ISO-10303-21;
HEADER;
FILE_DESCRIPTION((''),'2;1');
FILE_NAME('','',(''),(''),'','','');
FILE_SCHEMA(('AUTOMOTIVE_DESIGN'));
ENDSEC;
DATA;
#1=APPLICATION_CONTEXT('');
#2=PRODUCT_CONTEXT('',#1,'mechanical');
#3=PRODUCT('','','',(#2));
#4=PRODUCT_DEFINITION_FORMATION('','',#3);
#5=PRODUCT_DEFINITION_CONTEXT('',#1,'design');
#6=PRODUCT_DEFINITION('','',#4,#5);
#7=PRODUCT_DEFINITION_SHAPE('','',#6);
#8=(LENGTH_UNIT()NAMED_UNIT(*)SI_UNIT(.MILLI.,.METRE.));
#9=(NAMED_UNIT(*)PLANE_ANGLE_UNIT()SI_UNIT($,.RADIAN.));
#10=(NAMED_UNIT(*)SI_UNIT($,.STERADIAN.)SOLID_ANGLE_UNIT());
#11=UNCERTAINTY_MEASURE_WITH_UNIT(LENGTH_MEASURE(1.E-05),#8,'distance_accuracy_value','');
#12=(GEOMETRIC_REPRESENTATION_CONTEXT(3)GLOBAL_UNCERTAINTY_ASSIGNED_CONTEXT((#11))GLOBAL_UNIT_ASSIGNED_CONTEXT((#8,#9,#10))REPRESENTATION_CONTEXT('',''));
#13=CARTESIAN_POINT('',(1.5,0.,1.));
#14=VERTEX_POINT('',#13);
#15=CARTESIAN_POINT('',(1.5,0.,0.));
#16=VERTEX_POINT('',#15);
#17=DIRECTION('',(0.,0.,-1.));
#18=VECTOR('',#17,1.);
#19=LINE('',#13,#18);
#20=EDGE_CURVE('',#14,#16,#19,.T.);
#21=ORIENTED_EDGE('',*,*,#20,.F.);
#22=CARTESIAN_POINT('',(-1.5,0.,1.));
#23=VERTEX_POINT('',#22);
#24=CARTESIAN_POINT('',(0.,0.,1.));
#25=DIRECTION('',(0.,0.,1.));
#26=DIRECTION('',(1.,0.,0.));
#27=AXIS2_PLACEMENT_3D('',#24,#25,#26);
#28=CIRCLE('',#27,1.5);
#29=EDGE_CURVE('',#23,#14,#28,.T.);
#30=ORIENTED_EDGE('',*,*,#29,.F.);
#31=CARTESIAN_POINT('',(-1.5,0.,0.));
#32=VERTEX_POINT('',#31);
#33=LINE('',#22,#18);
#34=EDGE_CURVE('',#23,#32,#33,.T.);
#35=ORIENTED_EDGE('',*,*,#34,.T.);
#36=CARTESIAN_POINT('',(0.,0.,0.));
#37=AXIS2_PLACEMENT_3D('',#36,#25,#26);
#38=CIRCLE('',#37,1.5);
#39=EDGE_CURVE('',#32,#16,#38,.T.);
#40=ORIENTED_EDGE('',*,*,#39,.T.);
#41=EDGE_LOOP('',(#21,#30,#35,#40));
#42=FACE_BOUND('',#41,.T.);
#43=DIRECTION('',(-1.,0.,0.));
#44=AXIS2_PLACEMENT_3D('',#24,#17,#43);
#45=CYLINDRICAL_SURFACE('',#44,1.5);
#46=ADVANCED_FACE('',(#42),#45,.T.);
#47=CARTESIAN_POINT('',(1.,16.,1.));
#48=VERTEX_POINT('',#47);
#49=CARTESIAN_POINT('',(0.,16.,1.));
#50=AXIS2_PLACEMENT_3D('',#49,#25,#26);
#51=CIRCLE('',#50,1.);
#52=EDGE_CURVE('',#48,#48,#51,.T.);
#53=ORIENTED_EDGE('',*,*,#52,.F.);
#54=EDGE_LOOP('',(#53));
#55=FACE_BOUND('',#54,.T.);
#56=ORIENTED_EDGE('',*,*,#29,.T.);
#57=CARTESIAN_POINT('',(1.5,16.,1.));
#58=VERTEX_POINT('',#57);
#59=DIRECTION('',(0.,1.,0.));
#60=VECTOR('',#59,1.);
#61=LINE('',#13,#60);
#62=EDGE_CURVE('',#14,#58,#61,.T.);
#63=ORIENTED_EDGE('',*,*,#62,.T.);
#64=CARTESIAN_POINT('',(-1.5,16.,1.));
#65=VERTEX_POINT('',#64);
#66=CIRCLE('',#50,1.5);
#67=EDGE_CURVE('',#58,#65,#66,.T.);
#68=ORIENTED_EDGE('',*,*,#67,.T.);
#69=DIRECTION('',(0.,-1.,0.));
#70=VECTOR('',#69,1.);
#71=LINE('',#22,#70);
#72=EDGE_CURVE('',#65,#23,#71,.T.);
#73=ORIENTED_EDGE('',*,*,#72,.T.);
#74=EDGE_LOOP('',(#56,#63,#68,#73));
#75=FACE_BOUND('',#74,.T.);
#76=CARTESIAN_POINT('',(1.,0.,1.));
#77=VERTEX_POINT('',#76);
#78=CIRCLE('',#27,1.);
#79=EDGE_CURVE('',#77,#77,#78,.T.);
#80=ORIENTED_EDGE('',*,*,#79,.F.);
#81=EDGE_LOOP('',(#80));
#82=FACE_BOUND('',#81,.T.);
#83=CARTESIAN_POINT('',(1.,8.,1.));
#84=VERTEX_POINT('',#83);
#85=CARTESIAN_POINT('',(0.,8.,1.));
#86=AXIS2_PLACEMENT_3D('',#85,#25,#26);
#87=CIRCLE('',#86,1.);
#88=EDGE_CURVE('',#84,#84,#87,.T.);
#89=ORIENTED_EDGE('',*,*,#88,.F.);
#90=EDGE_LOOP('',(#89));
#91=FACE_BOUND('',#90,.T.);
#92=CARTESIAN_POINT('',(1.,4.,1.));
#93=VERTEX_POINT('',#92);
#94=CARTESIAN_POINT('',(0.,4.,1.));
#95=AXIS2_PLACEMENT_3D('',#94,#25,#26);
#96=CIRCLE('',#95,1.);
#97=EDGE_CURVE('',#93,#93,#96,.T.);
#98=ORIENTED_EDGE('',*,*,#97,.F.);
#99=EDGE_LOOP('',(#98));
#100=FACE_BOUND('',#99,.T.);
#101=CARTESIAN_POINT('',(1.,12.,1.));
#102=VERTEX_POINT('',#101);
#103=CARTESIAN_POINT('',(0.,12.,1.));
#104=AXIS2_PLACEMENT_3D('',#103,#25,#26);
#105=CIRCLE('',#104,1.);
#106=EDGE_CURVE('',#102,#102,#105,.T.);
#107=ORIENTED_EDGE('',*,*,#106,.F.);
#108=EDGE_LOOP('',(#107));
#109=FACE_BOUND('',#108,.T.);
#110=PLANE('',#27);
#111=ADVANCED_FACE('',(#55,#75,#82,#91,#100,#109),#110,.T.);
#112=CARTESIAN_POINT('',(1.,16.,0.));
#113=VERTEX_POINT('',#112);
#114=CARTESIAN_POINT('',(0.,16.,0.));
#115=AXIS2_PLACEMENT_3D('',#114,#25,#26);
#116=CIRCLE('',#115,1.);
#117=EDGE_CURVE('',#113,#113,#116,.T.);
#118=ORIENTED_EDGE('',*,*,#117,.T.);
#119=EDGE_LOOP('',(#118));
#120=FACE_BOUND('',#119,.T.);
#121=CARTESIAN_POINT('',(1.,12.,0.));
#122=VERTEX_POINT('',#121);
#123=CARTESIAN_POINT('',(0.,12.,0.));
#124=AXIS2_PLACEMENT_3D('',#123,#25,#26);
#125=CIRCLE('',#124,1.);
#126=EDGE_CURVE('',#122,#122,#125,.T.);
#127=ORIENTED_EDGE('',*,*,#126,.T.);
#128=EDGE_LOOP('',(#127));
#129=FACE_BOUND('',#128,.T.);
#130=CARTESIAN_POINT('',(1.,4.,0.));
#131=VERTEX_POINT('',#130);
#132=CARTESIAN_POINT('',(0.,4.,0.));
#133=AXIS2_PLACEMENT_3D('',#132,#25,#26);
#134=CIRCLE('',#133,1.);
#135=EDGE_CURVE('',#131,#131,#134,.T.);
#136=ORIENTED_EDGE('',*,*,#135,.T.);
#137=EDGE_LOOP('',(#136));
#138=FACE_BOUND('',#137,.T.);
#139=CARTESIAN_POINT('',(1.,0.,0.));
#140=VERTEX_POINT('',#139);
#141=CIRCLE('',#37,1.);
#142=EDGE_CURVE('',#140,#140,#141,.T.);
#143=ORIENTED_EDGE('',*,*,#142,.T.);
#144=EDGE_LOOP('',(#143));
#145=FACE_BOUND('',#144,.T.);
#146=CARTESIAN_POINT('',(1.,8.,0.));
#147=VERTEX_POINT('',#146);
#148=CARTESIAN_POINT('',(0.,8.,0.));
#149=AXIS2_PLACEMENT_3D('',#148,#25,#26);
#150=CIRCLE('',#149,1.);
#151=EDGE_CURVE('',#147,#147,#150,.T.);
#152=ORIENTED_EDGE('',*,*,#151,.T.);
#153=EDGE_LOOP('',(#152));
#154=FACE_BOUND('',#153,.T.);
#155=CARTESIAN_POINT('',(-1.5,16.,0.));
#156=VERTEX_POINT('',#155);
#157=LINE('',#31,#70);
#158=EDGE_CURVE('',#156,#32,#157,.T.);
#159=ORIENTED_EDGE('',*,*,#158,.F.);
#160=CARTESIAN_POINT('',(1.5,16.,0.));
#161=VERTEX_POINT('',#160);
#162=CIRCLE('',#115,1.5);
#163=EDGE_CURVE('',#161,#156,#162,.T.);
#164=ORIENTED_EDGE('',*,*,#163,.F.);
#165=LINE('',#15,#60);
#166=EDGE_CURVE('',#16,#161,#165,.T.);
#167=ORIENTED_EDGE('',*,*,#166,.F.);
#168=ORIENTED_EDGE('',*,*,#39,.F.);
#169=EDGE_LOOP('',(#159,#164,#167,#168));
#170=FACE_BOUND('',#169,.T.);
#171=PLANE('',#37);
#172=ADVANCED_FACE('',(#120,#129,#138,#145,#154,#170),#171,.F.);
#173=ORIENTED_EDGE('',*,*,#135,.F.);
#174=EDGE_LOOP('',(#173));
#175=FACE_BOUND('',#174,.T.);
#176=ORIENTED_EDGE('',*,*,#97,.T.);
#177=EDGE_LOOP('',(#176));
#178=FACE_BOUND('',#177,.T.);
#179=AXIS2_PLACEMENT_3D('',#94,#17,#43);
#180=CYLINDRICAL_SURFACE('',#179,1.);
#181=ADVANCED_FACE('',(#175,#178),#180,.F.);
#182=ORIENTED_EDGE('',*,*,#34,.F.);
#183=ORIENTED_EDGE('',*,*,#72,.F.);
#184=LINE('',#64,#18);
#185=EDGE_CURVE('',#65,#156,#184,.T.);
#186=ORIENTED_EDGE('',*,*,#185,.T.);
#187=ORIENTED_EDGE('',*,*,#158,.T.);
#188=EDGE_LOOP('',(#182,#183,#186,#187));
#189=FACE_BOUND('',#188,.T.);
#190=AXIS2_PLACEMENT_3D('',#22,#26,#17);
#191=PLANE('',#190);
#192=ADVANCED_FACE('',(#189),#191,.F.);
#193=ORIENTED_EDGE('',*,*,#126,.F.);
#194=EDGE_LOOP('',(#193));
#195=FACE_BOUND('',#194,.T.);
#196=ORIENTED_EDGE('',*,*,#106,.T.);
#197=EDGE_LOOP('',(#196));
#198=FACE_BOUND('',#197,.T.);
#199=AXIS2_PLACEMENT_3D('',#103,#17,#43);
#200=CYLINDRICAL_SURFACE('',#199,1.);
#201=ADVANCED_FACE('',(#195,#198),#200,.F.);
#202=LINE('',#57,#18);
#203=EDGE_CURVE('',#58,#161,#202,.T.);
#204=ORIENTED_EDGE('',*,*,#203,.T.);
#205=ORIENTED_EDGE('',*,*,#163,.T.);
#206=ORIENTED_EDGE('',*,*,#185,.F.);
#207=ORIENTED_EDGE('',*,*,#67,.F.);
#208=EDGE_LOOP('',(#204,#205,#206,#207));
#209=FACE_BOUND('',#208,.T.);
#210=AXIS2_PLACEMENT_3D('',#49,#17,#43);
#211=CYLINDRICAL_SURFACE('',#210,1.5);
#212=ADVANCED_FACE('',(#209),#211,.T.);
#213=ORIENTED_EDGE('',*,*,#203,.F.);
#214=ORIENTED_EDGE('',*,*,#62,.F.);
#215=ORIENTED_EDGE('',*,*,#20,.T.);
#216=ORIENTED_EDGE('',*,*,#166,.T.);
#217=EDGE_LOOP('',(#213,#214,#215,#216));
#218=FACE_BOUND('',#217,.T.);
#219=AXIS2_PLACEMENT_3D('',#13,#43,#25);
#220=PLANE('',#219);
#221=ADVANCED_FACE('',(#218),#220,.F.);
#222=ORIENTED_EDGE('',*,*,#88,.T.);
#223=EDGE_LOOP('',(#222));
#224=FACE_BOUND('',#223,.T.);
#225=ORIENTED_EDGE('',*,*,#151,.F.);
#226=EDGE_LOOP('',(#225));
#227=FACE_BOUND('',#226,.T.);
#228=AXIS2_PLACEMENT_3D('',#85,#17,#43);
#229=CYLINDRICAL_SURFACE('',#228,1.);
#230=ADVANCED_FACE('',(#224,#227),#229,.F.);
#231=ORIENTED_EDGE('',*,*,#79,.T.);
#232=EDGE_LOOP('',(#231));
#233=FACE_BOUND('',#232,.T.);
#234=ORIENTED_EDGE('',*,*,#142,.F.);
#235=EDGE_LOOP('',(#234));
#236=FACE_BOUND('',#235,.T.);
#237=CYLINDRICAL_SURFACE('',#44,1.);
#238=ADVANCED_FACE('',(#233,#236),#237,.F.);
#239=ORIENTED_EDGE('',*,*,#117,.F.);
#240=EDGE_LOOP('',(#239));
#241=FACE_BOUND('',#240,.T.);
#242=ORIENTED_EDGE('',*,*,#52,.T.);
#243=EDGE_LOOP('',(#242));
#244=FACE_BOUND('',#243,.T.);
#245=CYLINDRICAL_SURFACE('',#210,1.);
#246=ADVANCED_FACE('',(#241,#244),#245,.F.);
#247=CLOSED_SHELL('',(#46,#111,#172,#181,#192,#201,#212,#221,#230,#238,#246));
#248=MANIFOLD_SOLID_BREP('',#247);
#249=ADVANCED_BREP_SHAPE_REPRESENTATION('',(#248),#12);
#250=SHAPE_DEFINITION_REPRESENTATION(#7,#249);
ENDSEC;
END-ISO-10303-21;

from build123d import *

# Parameters (mm, degrees)
SKETCH_1_R      = 1
EXTRUDE_1_DEPTH = 1


with BuildPart() as part:
    # 草图1 → 凸台-拉伸1 (new body)
    with BuildSketch(Plane.XY):
        with BuildLine():
            Line((-1.5, 0), (-1.5, 16))
            ThreePointArc((-1.5, 16), (0, 17.5), (1.5, 16))
            Line((1.5, 16), (1.5, 0))
            ThreePointArc((1.5, 0), (0, -1.5), (-1.5, 0))
        make_face()
        with Locations((0, 16)):
            Circle(SKETCH_1_R, mode=Mode.SUBTRACT)
        with Locations((0, 8)):
            Circle(SKETCH_1_R, mode=Mode.SUBTRACT)
        with Locations((0, 12)):
            Circle(SKETCH_1_R, mode=Mode.SUBTRACT)
        Circle(SKETCH_1_R, mode=Mode.SUBTRACT)
        with Locations((0, 4)):
            Circle(SKETCH_1_R, mode=Mode.SUBTRACT)
    extrude(amount=EXTRUDE_1_DEPTH)


solid = part.part
